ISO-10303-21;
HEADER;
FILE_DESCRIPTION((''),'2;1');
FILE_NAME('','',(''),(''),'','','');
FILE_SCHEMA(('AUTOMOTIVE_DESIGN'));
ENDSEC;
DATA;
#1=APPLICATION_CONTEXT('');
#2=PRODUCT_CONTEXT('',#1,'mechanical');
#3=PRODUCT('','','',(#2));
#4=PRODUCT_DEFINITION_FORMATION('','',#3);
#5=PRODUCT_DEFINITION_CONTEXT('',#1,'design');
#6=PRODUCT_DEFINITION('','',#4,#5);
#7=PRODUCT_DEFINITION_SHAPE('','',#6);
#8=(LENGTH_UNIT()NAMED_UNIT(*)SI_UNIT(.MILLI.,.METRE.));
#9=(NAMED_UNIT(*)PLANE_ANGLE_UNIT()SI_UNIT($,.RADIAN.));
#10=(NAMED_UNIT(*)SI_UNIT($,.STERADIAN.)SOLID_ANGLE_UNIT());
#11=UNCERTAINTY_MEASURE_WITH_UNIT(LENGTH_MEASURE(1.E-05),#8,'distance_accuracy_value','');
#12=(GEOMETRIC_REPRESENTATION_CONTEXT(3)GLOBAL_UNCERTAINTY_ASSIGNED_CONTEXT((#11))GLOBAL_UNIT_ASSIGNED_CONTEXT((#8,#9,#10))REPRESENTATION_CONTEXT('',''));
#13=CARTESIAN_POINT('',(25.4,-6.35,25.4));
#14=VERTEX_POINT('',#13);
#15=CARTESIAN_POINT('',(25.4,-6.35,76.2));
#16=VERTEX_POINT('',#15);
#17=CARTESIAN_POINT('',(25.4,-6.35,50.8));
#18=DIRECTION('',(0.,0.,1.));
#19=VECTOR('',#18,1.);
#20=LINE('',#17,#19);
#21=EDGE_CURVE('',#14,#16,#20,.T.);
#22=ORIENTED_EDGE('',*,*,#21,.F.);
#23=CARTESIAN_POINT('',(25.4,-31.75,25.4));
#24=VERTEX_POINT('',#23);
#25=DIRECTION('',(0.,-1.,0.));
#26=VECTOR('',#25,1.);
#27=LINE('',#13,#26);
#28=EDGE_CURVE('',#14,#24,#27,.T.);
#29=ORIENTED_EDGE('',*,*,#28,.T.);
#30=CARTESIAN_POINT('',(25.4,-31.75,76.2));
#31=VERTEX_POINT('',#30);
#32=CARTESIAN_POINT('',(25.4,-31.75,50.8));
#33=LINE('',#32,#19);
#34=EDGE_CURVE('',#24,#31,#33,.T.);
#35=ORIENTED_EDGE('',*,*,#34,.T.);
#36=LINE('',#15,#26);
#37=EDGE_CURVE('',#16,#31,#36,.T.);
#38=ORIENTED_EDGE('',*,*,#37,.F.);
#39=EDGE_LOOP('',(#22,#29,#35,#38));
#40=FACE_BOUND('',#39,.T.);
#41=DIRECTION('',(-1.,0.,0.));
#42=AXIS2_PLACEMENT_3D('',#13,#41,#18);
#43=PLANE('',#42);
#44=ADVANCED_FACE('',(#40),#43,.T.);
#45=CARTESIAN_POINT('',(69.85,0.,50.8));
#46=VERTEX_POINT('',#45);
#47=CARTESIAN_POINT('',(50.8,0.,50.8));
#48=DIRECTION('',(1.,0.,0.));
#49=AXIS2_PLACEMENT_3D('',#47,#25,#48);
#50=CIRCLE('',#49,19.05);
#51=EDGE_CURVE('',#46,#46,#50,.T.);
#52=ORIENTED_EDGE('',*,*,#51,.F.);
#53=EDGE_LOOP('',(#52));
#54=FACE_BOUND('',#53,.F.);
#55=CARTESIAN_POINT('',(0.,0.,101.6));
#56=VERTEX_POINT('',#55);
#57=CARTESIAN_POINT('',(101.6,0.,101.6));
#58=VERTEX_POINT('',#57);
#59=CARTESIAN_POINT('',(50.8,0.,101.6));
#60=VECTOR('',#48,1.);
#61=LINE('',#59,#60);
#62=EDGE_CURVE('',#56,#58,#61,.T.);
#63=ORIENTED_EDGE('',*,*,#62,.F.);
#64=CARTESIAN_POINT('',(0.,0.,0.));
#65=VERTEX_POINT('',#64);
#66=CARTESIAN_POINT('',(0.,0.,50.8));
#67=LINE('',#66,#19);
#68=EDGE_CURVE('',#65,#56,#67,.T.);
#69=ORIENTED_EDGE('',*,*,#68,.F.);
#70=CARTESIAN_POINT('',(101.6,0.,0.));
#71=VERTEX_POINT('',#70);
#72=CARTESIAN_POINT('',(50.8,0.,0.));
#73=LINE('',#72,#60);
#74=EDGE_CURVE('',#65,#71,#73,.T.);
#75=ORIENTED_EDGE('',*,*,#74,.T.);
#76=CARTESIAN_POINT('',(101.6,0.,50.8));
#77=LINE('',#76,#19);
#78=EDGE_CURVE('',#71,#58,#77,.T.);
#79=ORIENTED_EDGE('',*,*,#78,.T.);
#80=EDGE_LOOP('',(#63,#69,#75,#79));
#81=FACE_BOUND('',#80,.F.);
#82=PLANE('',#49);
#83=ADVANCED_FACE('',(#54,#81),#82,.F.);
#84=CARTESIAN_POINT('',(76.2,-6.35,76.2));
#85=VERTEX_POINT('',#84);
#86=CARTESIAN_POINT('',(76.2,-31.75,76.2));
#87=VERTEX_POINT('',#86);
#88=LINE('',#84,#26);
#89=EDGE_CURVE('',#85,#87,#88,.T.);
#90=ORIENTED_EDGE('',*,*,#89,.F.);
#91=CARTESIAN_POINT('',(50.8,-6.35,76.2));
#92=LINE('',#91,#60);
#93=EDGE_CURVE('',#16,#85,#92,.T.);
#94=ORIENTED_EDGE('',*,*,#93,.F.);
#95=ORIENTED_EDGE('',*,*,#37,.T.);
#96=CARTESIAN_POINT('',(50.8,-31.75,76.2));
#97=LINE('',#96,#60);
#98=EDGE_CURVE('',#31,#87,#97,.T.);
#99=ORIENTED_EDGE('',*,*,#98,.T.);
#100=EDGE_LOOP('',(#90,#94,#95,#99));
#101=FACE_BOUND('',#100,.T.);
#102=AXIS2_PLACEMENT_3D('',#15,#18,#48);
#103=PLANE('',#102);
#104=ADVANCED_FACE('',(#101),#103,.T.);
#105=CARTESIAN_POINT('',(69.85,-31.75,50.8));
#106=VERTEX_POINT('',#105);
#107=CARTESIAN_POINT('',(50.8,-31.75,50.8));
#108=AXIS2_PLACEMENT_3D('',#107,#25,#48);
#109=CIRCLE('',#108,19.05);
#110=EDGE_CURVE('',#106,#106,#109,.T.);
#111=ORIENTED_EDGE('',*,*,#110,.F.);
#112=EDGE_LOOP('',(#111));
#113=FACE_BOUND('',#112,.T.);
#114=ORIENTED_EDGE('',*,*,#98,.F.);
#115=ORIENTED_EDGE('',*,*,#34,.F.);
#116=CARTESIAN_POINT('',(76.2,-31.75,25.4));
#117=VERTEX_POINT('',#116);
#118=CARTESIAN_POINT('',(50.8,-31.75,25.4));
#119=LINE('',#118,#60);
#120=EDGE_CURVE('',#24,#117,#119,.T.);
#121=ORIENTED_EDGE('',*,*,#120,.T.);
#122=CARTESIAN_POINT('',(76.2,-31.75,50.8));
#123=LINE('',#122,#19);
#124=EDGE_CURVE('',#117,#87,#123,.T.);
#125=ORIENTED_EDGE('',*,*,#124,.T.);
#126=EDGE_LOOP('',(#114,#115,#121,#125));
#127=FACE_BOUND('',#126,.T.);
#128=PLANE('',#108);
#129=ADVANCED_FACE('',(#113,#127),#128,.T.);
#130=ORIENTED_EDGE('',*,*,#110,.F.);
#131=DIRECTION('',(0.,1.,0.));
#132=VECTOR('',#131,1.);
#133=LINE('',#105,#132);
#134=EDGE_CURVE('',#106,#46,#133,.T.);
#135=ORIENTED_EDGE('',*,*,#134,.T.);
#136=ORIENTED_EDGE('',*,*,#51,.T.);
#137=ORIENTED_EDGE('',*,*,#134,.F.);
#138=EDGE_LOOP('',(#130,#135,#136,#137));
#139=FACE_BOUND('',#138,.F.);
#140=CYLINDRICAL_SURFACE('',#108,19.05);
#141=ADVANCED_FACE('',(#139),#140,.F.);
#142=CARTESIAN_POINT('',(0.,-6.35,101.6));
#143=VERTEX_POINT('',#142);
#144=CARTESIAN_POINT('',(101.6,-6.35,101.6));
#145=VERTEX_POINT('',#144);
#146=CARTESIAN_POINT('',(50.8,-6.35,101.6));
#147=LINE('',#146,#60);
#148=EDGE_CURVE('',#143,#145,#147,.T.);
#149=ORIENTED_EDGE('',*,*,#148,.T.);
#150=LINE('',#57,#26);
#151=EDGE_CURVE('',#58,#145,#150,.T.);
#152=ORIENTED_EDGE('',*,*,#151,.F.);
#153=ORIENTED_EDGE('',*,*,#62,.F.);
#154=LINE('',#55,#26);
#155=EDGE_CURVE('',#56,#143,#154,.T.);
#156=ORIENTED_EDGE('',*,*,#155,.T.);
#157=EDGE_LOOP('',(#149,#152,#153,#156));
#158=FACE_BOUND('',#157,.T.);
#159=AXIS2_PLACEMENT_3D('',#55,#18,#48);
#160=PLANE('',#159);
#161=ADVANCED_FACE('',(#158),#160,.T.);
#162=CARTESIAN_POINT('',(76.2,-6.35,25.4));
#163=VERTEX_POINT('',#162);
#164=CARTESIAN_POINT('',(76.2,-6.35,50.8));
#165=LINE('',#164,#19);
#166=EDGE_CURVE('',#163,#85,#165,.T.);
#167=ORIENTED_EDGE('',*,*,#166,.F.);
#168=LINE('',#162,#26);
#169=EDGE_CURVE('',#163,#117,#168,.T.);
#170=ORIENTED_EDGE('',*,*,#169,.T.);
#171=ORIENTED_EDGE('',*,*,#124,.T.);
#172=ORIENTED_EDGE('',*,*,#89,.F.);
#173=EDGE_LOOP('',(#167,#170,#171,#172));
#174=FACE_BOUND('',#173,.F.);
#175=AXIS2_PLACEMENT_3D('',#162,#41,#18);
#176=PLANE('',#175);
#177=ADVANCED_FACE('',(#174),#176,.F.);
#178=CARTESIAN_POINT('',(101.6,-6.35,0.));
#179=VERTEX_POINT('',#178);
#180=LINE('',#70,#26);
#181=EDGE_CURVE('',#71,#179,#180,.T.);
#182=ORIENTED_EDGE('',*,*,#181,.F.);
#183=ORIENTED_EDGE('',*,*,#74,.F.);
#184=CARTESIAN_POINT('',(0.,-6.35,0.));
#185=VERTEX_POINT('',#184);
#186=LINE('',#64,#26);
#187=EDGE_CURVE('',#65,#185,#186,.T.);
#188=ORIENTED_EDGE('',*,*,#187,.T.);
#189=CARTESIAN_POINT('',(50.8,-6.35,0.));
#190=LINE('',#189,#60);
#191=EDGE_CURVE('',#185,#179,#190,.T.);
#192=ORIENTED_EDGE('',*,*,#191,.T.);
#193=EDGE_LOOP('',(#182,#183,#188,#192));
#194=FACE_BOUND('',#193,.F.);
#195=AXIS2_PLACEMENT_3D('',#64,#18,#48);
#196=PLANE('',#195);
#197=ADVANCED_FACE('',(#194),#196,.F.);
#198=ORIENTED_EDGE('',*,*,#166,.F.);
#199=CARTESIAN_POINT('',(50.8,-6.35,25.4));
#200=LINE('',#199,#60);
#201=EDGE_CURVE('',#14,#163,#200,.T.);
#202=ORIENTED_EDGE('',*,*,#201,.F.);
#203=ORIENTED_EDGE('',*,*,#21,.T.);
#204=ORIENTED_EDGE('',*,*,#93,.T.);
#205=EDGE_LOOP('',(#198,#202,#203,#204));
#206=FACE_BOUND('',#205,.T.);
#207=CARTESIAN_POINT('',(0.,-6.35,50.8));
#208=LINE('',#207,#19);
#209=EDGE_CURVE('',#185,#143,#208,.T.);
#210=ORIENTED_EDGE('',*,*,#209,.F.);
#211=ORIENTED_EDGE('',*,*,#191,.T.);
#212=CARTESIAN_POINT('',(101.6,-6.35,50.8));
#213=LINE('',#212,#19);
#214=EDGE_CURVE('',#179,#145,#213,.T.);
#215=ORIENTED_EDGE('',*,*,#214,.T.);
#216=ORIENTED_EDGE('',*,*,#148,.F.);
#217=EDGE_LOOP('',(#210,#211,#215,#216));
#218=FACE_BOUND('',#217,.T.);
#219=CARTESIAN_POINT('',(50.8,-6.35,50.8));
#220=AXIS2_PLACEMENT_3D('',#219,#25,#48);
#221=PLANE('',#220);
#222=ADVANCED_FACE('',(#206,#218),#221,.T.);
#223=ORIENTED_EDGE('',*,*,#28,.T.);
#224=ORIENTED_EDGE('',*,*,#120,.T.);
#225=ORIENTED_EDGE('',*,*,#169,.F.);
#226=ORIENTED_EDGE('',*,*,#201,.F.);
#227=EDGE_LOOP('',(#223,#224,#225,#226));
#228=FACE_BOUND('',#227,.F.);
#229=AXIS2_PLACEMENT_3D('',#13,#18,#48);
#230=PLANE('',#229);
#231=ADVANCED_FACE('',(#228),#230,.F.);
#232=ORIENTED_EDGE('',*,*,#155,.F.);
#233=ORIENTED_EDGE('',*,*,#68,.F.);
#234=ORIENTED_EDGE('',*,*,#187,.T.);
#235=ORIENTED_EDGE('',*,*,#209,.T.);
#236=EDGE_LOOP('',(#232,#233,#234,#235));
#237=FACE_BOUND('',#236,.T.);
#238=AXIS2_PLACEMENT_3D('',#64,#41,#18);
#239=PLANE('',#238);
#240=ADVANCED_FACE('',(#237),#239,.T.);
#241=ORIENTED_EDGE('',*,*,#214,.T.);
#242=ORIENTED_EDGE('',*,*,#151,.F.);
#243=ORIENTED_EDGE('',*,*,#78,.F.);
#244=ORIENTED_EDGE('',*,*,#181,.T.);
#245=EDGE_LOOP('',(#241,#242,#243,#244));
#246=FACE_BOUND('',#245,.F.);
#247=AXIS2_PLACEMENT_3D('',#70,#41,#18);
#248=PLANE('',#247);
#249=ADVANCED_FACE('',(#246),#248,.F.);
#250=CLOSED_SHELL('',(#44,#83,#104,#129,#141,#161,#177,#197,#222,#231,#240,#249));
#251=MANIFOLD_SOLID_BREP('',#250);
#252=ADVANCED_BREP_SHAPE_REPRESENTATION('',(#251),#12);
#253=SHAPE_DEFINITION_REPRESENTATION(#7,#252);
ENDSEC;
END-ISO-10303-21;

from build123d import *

# Parameters (mm, degrees)
F0_W     = 101.6
F0_H     = 101.6
F1_DEPTH = 6.35
F2_W     = 50.8
F2_H     = 50.8
F3_DEPTH = 25.4
F4_R     = 19.05
F5_DEPTH = 31.751


with BuildPart() as f1:
    # F0 (on Front) → F1 (new body)
    with BuildSketch(Plane.XZ):
        with Locations((50.8, 50.8)):
            Rectangle(F0_W, F0_H)
    extrude(amount=F1_DEPTH)

    # F2 (on face) → F3 (join)
    with BuildSketch(Plane.XZ.offset(6.35)):
        with Locations((50.8, 50.8)):
            Rectangle(F2_W, F2_H)
    extrude(amount=F3_DEPTH)

    # F4 (on face) → F5 (cut, through all)
    with BuildSketch(Plane.XZ.offset(31.75)):
        with Locations((50.8, 50.8)):
            Circle(F4_R)
    extrude(amount=-F5_DEPTH, mode=Mode.SUBTRACT)


solid = f1.part
